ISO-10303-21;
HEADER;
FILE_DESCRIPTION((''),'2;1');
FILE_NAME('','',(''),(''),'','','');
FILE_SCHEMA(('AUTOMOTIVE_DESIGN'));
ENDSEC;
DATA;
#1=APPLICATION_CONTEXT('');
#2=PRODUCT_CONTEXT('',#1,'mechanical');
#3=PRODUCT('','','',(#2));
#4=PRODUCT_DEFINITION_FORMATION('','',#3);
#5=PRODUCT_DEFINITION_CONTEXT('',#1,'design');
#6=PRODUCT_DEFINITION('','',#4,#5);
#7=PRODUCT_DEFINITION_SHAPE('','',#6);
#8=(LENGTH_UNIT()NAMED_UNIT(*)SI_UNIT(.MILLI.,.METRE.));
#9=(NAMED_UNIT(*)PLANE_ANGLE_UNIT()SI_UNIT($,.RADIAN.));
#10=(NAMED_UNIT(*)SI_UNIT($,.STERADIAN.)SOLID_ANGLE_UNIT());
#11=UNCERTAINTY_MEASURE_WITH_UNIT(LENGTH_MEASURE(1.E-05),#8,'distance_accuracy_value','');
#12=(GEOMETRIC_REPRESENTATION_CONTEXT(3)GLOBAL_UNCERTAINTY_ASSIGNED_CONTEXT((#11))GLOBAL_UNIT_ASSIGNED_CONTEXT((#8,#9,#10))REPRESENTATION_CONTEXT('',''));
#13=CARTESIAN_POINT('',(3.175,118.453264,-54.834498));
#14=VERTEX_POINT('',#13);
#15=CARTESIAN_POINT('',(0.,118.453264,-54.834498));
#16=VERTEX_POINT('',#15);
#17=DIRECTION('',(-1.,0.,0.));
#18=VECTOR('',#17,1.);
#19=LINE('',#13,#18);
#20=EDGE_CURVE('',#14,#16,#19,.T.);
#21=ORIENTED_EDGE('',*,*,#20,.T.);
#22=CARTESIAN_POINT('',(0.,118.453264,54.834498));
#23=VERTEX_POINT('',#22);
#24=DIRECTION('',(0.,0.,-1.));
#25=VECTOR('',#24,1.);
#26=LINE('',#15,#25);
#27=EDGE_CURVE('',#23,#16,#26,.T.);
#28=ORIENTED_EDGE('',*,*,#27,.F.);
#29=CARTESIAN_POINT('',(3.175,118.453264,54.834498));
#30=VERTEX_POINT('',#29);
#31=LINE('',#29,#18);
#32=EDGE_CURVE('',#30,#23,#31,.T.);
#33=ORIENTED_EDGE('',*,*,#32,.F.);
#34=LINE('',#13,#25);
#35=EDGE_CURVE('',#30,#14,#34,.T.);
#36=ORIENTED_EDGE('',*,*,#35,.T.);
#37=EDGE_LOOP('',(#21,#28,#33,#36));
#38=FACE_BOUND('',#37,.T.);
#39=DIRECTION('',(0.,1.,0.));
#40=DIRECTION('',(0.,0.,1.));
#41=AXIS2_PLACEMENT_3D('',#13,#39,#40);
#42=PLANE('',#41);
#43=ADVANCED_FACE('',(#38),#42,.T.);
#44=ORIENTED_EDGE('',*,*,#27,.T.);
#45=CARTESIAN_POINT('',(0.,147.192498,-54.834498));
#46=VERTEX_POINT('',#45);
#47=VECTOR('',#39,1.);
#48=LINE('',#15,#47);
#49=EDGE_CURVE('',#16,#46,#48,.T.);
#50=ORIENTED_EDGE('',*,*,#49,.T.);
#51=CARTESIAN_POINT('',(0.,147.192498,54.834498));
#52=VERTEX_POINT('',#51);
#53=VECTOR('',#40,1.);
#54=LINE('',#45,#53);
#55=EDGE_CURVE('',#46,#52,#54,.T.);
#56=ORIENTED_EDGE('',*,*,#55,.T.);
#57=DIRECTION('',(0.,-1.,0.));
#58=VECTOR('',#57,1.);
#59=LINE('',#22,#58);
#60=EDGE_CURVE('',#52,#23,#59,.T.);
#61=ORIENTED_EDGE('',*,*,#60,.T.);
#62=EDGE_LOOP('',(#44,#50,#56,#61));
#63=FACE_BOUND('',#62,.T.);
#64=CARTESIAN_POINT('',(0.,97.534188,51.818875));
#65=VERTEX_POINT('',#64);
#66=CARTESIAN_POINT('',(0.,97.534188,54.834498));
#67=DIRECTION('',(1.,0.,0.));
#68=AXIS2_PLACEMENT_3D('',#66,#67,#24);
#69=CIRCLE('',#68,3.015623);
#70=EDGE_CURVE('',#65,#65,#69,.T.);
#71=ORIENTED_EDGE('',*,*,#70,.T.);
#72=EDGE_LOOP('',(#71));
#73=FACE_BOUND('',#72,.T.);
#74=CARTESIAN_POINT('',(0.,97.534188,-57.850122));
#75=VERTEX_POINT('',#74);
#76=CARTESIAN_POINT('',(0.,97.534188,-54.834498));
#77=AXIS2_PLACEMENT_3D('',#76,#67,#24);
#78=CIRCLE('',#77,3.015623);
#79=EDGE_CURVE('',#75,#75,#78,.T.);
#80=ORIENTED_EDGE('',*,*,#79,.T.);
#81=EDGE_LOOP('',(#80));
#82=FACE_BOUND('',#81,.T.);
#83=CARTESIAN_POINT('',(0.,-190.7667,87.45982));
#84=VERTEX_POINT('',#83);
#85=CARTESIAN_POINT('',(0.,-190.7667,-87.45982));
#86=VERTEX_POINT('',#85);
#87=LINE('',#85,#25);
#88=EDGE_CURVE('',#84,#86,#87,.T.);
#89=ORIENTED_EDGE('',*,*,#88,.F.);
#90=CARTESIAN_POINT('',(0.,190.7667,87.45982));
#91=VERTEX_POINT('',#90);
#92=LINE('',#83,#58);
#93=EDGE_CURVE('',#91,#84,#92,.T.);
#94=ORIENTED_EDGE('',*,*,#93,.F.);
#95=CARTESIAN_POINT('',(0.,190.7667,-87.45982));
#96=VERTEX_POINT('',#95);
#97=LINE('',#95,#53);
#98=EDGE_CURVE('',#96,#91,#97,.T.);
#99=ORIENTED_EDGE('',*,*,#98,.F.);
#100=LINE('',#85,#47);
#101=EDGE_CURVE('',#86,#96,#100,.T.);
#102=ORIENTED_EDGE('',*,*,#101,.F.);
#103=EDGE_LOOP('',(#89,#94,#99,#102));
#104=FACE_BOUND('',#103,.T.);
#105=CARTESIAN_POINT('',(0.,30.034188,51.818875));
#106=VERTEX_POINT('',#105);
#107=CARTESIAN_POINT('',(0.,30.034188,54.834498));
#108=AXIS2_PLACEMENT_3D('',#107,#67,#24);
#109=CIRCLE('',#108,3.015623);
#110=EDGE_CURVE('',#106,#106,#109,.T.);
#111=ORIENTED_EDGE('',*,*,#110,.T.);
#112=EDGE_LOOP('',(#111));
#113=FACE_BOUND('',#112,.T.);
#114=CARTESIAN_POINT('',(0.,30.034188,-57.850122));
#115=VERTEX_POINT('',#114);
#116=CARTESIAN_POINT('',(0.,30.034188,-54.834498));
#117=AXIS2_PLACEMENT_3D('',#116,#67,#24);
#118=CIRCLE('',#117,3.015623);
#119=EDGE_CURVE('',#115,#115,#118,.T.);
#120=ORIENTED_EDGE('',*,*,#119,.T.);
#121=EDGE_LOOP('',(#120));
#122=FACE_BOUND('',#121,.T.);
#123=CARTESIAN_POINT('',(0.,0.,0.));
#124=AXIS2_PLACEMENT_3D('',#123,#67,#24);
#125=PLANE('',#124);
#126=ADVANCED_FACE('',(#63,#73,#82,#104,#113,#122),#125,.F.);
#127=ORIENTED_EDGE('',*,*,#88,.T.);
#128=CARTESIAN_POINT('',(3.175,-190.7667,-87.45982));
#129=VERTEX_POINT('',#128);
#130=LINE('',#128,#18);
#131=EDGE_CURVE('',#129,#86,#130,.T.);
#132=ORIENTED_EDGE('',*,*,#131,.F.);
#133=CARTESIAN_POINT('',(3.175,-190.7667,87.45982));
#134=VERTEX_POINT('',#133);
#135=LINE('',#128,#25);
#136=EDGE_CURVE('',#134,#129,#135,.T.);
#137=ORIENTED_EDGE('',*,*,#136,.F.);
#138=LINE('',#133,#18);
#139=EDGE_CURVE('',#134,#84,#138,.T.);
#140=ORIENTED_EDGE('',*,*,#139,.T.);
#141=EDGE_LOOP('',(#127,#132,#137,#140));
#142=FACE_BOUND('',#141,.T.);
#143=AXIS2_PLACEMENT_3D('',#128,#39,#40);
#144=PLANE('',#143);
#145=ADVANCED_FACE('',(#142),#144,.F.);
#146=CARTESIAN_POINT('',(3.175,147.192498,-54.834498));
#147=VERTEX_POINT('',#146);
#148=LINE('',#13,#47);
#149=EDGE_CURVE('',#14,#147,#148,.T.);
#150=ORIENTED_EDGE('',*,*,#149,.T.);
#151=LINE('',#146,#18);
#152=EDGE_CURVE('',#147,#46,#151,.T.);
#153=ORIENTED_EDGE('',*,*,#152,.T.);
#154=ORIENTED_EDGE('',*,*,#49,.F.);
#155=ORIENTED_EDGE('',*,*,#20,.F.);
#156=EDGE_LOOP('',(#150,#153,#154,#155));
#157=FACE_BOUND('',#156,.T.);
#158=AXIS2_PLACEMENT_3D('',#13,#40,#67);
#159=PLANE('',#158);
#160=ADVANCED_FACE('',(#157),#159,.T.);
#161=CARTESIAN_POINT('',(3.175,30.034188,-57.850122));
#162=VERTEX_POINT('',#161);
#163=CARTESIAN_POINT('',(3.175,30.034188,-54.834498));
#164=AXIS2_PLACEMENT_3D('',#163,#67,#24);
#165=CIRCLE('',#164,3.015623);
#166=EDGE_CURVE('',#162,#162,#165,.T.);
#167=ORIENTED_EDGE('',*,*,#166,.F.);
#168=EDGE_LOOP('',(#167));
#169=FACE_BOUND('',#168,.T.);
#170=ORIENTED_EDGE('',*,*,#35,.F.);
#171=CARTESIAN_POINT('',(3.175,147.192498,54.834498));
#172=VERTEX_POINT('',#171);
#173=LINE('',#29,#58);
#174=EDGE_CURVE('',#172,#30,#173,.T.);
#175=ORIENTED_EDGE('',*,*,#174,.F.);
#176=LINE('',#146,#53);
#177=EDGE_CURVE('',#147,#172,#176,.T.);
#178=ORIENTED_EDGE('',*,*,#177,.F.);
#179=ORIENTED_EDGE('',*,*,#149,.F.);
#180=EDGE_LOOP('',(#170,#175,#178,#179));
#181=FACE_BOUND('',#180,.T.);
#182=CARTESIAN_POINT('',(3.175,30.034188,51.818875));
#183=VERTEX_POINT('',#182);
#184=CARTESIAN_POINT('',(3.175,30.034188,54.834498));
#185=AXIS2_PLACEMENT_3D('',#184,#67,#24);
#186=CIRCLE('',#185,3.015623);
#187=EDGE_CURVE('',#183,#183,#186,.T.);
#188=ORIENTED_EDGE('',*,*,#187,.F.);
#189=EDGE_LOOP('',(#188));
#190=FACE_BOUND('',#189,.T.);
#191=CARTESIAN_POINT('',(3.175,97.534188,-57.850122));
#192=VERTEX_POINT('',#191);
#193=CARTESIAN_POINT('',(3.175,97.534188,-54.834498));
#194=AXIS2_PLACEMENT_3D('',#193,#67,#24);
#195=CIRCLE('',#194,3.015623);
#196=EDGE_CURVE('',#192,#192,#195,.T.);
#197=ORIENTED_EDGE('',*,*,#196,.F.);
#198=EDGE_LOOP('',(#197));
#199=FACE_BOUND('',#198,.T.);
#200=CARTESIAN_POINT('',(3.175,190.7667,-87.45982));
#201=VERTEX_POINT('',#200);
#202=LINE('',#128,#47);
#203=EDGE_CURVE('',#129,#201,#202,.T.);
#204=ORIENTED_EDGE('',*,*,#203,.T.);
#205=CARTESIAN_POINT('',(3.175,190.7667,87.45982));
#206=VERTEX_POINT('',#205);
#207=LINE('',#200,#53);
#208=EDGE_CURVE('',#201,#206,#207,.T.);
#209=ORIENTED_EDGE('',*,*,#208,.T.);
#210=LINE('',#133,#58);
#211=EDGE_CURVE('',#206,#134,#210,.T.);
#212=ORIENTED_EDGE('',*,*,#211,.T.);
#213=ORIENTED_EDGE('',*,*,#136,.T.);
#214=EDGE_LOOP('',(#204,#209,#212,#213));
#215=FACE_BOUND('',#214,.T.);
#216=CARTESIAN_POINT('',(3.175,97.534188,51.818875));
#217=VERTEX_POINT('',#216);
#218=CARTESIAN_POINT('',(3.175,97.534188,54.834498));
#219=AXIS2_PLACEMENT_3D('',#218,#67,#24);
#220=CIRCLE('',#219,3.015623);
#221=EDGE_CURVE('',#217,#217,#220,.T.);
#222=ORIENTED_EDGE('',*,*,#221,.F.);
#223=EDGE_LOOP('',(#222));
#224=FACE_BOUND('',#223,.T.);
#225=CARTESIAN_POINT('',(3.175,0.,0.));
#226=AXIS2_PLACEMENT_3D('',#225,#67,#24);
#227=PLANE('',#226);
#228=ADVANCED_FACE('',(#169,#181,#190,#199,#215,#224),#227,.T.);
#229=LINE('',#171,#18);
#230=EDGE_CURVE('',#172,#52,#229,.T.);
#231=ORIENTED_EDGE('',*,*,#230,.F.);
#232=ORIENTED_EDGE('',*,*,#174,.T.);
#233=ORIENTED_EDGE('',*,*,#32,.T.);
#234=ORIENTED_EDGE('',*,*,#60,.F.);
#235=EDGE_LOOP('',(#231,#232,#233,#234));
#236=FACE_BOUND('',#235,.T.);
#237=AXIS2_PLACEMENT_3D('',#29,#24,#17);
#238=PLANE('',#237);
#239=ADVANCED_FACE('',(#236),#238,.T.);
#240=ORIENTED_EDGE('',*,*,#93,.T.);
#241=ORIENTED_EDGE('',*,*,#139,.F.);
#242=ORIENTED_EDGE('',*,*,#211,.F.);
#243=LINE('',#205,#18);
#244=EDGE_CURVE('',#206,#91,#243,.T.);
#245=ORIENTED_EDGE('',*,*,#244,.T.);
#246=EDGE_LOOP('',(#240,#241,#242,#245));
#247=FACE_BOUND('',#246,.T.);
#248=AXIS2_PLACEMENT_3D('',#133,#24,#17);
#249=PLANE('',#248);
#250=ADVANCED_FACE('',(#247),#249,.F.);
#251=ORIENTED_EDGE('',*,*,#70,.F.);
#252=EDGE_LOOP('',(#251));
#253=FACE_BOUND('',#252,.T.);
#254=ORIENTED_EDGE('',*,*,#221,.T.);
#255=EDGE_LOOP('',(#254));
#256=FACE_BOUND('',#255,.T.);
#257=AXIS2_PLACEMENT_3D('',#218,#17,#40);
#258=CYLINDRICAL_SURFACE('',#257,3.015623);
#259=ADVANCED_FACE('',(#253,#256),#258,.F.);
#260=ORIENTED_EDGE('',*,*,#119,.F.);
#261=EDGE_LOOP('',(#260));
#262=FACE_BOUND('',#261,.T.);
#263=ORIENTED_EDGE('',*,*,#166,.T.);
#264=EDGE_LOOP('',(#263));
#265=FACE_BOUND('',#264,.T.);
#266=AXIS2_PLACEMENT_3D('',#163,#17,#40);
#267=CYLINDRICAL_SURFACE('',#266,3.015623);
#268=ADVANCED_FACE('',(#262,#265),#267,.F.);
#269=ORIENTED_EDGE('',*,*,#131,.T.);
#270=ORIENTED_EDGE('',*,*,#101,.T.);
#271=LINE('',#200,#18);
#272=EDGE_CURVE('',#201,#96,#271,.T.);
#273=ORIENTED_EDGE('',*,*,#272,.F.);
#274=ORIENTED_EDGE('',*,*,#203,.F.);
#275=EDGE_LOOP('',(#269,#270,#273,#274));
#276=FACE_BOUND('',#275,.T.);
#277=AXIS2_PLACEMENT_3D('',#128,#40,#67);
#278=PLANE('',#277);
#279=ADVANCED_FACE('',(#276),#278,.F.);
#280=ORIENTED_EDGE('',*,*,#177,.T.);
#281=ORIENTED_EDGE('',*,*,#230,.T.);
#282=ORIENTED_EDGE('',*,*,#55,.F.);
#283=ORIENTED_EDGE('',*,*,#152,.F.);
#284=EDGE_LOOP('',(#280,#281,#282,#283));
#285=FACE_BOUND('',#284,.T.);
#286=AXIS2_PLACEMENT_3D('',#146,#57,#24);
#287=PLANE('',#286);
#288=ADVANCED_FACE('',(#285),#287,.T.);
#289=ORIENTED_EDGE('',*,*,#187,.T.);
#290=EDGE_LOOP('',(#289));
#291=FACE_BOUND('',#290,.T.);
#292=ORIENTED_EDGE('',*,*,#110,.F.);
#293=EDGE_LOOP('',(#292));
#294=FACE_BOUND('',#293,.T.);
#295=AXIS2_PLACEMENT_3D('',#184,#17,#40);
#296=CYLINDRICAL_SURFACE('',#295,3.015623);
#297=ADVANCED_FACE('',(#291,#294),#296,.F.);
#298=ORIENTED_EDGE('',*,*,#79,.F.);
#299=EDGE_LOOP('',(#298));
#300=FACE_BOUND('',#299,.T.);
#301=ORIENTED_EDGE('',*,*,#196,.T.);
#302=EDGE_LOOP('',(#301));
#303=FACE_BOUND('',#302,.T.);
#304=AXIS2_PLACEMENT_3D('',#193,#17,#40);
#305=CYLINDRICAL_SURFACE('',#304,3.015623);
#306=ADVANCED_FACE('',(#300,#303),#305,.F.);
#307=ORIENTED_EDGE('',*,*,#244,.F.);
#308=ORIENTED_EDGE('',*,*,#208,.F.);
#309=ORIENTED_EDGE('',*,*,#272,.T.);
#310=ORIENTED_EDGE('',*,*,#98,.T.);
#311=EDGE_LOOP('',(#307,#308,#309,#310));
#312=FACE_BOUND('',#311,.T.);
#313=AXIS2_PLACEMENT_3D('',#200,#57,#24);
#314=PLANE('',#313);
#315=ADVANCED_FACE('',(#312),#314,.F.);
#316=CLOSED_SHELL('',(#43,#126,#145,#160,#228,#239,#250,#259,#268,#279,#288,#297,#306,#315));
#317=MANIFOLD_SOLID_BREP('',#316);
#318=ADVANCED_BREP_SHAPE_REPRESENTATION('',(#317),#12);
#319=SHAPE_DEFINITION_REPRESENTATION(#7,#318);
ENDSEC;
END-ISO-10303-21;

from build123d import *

# Parameters (mm, degrees)
SKETCH1_W           = 174.91964
SKETCH1_H           = 381.5334
SKETCH1_R           = 3.015623361
SKETCH1_W_2         = 109.668996446
SKETCH1_H_2         = 28.739233449
BOSS_EXTRUDE1_DEPTH = 3.175


with BuildPart() as part:
    # Sketch1 → Boss-Extrude1 (new body)
    with BuildSketch(Plane(origin=(0, 0, 0), x_dir=(0, 0, -1), z_dir=(1, 0, 0))):
        Rectangle(SKETCH1_W, SKETCH1_H)
        with Locations((-54.834498223, 97.534188116)):
            Circle(SKETCH1_R, mode=Mode.SUBTRACT)
        with Locations((54.834498223, 97.534188116)):
            Circle(SKETCH1_R, mode=Mode.SUBTRACT)
        with Locations((54.834498223, 30.034188116)):
            Circle(SKETCH1_R, mode=Mode.SUBTRACT)
        with Locations((-54.834498223, 30.034188116)):
            Circle(SKETCH1_R, mode=Mode.SUBTRACT)
        with Locations((0, 132.82288111)):
            Rectangle(SKETCH1_W_2, SKETCH1_H_2, mode=Mode.SUBTRACT)
    extrude(amount=BOSS_EXTRUDE1_DEPTH)


solid = part.part
